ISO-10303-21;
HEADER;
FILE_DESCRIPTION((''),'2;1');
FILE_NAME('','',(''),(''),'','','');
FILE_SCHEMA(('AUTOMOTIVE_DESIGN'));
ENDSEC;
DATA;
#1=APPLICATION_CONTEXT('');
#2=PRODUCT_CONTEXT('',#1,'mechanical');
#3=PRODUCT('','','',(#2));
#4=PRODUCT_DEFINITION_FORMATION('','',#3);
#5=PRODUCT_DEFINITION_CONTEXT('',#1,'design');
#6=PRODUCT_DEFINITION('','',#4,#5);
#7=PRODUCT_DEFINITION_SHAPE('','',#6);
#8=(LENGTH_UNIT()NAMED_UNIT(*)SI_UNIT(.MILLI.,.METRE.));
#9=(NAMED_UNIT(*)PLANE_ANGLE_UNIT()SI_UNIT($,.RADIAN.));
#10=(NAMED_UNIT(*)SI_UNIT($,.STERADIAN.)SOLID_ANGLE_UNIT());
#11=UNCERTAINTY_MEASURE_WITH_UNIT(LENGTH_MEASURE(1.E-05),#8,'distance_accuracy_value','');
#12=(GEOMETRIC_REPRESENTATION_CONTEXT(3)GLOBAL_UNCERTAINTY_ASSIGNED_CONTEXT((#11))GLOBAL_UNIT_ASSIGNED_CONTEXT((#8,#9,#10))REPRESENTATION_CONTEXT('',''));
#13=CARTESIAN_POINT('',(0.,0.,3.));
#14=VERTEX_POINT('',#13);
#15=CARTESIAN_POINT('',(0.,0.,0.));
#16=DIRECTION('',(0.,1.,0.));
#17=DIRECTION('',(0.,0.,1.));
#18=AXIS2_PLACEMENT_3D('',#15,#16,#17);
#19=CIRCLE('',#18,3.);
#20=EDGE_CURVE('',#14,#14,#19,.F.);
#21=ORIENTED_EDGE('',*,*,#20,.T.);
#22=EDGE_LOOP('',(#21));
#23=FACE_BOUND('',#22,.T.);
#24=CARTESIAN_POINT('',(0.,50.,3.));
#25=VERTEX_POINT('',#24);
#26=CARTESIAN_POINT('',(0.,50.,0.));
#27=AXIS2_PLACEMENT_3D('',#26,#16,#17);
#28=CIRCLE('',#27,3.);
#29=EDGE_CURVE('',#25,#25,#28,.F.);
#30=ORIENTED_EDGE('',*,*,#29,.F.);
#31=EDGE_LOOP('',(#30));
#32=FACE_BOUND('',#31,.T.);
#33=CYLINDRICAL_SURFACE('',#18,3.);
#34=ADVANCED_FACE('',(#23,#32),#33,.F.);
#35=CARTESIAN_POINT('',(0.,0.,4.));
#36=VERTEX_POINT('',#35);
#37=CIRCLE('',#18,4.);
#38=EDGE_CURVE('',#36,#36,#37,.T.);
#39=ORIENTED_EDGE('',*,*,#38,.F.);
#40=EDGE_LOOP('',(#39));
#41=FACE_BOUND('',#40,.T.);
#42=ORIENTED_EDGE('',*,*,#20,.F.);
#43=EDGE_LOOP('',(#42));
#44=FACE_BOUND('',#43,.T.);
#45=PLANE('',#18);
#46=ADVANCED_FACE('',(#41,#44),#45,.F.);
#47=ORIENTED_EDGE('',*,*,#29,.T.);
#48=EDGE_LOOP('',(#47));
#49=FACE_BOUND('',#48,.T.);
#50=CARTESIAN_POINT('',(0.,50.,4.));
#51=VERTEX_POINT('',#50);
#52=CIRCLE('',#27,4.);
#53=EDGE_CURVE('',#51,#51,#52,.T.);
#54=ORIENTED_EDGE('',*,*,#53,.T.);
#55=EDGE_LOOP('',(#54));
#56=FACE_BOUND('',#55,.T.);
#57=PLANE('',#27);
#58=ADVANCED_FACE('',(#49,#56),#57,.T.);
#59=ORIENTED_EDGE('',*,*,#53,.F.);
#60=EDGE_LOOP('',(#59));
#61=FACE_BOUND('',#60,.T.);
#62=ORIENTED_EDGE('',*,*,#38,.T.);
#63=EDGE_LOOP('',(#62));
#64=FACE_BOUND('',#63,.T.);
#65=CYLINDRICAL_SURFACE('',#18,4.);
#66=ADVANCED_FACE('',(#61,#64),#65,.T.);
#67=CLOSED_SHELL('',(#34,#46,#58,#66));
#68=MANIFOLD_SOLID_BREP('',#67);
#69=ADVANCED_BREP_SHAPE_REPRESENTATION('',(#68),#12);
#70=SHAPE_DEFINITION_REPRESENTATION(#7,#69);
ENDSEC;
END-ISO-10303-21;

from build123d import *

# Parameters (mm, degrees)
SKETCH2_R   = 4
SKETCH2_R_2 = 3


with BuildPart() as part:
    # Sweep1: sweep along a path in Sketch1
    with BuildLine(Plane.XY) as sweep1_path:
        Line((0, 0), (0, 50))
    # Sketch2 → Sweep1 (sweep)
    with BuildSketch(Plane(origin=(0, 0, 0), x_dir=(1, 0, 0), z_dir=(0, 1, 0))):
        Circle(SKETCH2_R)
        Circle(SKETCH2_R_2, mode=Mode.SUBTRACT)
    sweep(path=sweep1_path.line)


solid = part.part
